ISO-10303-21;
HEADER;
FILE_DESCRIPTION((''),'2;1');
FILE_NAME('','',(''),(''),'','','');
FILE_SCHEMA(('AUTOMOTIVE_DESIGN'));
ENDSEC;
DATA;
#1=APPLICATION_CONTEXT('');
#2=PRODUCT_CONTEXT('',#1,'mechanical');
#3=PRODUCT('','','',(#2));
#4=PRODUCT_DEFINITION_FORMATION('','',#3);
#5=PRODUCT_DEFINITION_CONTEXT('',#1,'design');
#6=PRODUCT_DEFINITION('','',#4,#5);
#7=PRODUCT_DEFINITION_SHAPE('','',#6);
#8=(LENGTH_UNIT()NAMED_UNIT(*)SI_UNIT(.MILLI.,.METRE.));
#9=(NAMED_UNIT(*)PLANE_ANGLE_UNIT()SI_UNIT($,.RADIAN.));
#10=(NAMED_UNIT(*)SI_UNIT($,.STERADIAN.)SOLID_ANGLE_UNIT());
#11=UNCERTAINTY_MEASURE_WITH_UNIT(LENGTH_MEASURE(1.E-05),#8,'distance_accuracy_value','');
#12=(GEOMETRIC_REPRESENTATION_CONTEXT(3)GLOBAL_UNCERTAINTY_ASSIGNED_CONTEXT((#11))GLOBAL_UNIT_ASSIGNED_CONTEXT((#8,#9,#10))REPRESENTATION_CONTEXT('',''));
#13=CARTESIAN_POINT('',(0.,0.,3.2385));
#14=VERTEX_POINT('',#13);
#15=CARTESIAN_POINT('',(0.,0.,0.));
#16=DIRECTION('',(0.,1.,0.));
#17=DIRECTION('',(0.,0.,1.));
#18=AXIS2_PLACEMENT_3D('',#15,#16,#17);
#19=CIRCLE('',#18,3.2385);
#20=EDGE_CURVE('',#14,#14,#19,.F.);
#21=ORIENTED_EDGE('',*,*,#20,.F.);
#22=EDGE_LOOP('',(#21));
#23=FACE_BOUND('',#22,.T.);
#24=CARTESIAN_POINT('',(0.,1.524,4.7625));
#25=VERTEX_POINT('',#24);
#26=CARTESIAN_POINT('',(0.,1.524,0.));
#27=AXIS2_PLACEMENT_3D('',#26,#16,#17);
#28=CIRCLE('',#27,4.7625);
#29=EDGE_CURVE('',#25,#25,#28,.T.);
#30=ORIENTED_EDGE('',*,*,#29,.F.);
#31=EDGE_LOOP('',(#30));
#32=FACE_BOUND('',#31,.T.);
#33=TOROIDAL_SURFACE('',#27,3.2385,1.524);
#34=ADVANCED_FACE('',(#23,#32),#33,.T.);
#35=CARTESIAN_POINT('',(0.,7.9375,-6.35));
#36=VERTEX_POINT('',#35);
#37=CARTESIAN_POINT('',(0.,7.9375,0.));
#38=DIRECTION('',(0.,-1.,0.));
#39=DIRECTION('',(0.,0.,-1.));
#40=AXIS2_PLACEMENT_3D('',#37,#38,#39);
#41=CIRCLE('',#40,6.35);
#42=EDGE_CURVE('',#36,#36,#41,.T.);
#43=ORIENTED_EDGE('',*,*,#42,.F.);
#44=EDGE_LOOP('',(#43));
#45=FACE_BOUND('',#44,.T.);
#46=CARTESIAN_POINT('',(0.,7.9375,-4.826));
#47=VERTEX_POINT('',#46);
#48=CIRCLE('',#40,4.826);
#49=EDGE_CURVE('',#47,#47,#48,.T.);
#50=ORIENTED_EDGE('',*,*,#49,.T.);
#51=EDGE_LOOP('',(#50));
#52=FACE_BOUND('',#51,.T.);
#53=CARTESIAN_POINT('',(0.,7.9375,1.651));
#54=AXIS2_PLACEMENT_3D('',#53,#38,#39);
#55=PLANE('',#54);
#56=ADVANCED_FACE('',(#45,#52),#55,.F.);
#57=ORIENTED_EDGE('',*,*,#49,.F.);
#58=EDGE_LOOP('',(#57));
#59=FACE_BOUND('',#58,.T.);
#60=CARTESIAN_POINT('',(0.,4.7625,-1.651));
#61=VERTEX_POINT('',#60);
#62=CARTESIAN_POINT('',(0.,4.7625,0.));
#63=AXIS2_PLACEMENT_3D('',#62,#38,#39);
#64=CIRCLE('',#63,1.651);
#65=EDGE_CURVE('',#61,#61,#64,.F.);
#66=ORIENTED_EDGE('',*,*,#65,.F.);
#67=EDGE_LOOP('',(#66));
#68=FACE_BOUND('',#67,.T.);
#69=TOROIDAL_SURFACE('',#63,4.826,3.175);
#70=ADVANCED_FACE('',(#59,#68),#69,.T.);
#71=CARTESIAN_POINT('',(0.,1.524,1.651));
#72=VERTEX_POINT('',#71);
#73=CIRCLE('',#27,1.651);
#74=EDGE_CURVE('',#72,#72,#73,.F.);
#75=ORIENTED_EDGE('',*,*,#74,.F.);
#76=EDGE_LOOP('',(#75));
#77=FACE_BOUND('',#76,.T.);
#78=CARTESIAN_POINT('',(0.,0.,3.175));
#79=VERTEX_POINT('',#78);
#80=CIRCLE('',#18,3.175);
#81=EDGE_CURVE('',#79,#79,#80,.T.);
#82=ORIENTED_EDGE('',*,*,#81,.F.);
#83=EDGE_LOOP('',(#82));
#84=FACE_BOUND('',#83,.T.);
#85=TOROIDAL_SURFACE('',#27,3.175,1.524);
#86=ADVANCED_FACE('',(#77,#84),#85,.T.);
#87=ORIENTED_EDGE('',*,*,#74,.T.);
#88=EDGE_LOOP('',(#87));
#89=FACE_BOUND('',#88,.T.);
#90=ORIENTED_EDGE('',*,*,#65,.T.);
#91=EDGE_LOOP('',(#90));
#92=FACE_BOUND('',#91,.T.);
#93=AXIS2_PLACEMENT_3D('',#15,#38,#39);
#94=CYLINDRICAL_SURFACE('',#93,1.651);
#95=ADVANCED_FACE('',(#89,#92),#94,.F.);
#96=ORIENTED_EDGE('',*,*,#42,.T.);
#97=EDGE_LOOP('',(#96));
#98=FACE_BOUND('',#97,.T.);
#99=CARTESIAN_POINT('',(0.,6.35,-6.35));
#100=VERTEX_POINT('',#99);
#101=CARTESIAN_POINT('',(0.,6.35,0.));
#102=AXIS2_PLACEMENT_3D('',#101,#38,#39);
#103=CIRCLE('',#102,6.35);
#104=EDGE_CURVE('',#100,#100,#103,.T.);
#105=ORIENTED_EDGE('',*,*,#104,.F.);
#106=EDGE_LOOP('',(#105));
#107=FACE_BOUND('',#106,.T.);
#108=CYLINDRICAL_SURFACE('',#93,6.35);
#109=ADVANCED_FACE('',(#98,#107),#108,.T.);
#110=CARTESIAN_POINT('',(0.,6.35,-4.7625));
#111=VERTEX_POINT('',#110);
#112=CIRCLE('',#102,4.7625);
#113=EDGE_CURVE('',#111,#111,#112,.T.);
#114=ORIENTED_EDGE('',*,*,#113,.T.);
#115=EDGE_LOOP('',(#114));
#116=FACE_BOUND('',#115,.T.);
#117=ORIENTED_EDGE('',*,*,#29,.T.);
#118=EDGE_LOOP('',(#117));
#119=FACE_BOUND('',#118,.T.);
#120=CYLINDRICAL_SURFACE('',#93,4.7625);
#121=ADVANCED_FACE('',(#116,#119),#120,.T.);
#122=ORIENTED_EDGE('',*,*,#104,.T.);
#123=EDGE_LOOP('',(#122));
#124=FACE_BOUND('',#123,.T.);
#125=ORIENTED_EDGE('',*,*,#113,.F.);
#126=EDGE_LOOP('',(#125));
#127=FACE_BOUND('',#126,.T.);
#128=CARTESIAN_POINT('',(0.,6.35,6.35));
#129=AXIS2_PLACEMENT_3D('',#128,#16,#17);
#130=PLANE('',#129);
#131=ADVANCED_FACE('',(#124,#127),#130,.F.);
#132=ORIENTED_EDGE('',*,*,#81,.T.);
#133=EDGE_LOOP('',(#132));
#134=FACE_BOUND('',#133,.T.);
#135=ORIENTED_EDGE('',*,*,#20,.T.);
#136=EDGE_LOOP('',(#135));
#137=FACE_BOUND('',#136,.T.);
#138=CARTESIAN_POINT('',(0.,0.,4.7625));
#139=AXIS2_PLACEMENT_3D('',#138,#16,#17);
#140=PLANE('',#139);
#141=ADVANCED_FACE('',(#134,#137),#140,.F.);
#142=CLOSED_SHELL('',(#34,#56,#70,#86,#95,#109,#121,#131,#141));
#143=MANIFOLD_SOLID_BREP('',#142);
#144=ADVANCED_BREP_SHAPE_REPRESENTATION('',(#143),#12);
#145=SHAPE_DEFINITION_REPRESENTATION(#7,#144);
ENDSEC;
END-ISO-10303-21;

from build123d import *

# Parameters (mm, degrees)
FILLET1_R = 3.175
FILLET4_R = 1.524


with BuildPart() as part:
    # Sketch1 → Revolve1 (revolve)
    with BuildSketch(Plane(origin=(0, 0, 0), x_dir=(0, 0, -1), z_dir=(1, 0, 0)), mode=Mode.PRIVATE) as revolve1_sk:
        Polygon((-1.651, 0), (-1.651, 7.9375), (-6.35, 7.9375), (-6.35, 6.35), (-4.7625, 6.35), (-4.7625, 0), align=None)
    revolve(revolve1_sk.sketch.rotate(Axis((0, 0, 0), (0, 1, 0)), 180), axis=Axis((0, 0, 0), (0, 1, 0)))

    # Fillet1
    fillet1_edges = [part.edges().sort_by_distance(p)[0] for p in [
        (0, 7.9375, 1.651),
    ]]
    fillet(fillet1_edges, radius=FILLET1_R)

    # Fillet4
    fillet4_edges = [part.edges().sort_by_distance(p)[0] for p in [
        (0, 0, 4.7625),
        (0, 0, 1.651),
    ]]
    fillet(fillet4_edges, radius=FILLET4_R)


solid = part.part
